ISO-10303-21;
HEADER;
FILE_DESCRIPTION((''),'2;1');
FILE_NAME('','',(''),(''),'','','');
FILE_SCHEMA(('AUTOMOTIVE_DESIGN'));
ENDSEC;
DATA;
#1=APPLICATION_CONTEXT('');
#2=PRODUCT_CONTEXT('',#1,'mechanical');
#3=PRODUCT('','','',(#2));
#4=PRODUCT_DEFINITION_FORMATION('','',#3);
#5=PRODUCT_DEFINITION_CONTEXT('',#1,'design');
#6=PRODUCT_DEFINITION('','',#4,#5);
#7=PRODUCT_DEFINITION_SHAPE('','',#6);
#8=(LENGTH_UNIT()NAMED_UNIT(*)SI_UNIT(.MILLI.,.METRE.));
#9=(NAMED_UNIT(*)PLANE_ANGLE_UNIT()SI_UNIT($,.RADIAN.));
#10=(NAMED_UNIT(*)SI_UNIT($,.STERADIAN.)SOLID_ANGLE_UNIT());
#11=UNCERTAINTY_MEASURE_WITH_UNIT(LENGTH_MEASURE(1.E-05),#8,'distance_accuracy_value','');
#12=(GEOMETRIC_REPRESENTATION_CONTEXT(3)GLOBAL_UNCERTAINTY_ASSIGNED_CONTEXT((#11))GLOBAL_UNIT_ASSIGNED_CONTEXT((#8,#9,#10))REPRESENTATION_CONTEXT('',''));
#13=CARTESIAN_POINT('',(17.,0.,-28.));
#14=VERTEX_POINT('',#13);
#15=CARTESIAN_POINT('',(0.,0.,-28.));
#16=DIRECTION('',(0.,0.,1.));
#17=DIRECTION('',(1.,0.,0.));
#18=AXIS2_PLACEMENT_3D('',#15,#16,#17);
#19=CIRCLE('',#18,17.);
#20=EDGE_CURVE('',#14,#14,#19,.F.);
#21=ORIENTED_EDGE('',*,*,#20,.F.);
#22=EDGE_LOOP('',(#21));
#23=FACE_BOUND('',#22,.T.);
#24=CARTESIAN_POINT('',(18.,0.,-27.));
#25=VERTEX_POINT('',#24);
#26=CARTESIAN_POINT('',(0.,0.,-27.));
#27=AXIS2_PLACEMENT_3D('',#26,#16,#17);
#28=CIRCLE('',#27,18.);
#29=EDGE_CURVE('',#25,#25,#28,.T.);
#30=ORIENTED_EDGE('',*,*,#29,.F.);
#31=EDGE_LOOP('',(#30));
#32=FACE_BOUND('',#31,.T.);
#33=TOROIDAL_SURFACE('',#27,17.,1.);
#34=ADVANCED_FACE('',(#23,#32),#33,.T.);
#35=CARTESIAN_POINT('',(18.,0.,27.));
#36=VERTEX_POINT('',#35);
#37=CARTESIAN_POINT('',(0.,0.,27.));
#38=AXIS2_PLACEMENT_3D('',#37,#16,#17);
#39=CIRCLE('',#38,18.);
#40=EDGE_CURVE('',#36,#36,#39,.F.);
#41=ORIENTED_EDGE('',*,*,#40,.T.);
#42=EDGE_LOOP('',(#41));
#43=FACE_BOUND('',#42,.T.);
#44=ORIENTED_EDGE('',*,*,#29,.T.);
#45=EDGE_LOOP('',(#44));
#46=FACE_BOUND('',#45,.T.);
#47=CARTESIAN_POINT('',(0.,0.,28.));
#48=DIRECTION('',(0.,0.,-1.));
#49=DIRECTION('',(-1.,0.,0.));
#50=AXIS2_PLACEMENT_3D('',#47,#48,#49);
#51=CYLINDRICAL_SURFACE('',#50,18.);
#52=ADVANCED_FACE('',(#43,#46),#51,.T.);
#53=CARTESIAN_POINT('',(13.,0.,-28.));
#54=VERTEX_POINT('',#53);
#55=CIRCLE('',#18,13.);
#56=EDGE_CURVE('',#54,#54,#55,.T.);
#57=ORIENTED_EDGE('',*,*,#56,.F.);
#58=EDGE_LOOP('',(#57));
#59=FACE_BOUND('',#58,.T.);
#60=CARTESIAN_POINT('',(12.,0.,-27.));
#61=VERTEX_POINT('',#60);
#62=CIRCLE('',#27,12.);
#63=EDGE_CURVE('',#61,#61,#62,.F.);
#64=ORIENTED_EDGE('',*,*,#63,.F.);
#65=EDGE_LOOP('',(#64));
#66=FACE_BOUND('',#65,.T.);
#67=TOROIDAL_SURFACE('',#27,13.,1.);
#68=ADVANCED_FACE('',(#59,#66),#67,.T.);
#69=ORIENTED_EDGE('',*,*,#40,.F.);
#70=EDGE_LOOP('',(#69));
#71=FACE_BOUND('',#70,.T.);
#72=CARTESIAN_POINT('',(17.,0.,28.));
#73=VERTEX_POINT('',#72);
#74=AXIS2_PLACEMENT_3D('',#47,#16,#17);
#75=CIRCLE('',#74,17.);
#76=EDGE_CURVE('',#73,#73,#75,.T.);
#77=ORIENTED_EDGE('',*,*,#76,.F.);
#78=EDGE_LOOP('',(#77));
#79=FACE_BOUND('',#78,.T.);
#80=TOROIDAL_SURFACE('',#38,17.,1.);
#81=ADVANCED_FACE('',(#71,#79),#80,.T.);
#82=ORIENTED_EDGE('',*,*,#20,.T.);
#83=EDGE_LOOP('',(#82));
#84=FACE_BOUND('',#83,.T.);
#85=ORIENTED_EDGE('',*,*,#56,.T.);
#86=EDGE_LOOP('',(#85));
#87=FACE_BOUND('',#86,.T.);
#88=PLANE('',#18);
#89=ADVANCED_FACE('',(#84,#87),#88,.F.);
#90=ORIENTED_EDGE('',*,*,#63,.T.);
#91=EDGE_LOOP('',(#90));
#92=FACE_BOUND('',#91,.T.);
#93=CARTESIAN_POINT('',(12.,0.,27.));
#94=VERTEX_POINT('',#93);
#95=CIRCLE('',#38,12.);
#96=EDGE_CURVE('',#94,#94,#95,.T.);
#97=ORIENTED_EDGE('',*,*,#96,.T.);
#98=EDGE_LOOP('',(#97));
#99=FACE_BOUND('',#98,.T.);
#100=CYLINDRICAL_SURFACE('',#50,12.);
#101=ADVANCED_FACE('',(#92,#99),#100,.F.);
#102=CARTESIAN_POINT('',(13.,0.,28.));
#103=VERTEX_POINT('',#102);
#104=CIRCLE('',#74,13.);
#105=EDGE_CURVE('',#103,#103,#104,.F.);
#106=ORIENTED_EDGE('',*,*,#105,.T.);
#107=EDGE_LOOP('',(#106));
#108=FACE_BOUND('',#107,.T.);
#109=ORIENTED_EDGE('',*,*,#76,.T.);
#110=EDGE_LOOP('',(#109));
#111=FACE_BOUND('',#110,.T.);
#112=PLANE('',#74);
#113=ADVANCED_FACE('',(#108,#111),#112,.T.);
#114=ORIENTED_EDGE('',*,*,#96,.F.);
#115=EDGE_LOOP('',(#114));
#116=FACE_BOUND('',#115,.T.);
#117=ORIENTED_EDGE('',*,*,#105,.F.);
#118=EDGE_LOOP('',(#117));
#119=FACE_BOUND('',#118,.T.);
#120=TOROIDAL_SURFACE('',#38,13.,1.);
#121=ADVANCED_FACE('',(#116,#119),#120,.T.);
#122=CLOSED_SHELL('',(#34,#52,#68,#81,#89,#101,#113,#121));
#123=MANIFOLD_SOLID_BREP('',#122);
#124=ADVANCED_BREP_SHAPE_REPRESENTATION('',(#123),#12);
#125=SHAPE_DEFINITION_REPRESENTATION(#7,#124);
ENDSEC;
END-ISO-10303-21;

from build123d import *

# Parameters (mm, degrees)
SKETCH_1_R      = 18
SKETCH_1_R_2    = 12
EXTRUDE_1_DEPTH = 28
FILLET_1_R      = 1


with BuildPart() as part:
    # Эскиз1 → Бобышка-Вытянуть1 (new, symmetric)
    with BuildSketch(Plane.XY):
        Circle(SKETCH_1_R)
        Circle(SKETCH_1_R_2, mode=Mode.SUBTRACT)
    extrude(amount=EXTRUDE_1_DEPTH, both=True)

    # Скругление1
    fillet_1_edges = [part.edges().sort_by_distance(p)[0] for p in [
        (-18, 0, -28),
        (-18, 0, 28),
        (-12, 0, -28),
        (-12, 0, 28),
    ]]
    fillet(fillet_1_edges, radius=FILLET_1_R)


solid = part.part
